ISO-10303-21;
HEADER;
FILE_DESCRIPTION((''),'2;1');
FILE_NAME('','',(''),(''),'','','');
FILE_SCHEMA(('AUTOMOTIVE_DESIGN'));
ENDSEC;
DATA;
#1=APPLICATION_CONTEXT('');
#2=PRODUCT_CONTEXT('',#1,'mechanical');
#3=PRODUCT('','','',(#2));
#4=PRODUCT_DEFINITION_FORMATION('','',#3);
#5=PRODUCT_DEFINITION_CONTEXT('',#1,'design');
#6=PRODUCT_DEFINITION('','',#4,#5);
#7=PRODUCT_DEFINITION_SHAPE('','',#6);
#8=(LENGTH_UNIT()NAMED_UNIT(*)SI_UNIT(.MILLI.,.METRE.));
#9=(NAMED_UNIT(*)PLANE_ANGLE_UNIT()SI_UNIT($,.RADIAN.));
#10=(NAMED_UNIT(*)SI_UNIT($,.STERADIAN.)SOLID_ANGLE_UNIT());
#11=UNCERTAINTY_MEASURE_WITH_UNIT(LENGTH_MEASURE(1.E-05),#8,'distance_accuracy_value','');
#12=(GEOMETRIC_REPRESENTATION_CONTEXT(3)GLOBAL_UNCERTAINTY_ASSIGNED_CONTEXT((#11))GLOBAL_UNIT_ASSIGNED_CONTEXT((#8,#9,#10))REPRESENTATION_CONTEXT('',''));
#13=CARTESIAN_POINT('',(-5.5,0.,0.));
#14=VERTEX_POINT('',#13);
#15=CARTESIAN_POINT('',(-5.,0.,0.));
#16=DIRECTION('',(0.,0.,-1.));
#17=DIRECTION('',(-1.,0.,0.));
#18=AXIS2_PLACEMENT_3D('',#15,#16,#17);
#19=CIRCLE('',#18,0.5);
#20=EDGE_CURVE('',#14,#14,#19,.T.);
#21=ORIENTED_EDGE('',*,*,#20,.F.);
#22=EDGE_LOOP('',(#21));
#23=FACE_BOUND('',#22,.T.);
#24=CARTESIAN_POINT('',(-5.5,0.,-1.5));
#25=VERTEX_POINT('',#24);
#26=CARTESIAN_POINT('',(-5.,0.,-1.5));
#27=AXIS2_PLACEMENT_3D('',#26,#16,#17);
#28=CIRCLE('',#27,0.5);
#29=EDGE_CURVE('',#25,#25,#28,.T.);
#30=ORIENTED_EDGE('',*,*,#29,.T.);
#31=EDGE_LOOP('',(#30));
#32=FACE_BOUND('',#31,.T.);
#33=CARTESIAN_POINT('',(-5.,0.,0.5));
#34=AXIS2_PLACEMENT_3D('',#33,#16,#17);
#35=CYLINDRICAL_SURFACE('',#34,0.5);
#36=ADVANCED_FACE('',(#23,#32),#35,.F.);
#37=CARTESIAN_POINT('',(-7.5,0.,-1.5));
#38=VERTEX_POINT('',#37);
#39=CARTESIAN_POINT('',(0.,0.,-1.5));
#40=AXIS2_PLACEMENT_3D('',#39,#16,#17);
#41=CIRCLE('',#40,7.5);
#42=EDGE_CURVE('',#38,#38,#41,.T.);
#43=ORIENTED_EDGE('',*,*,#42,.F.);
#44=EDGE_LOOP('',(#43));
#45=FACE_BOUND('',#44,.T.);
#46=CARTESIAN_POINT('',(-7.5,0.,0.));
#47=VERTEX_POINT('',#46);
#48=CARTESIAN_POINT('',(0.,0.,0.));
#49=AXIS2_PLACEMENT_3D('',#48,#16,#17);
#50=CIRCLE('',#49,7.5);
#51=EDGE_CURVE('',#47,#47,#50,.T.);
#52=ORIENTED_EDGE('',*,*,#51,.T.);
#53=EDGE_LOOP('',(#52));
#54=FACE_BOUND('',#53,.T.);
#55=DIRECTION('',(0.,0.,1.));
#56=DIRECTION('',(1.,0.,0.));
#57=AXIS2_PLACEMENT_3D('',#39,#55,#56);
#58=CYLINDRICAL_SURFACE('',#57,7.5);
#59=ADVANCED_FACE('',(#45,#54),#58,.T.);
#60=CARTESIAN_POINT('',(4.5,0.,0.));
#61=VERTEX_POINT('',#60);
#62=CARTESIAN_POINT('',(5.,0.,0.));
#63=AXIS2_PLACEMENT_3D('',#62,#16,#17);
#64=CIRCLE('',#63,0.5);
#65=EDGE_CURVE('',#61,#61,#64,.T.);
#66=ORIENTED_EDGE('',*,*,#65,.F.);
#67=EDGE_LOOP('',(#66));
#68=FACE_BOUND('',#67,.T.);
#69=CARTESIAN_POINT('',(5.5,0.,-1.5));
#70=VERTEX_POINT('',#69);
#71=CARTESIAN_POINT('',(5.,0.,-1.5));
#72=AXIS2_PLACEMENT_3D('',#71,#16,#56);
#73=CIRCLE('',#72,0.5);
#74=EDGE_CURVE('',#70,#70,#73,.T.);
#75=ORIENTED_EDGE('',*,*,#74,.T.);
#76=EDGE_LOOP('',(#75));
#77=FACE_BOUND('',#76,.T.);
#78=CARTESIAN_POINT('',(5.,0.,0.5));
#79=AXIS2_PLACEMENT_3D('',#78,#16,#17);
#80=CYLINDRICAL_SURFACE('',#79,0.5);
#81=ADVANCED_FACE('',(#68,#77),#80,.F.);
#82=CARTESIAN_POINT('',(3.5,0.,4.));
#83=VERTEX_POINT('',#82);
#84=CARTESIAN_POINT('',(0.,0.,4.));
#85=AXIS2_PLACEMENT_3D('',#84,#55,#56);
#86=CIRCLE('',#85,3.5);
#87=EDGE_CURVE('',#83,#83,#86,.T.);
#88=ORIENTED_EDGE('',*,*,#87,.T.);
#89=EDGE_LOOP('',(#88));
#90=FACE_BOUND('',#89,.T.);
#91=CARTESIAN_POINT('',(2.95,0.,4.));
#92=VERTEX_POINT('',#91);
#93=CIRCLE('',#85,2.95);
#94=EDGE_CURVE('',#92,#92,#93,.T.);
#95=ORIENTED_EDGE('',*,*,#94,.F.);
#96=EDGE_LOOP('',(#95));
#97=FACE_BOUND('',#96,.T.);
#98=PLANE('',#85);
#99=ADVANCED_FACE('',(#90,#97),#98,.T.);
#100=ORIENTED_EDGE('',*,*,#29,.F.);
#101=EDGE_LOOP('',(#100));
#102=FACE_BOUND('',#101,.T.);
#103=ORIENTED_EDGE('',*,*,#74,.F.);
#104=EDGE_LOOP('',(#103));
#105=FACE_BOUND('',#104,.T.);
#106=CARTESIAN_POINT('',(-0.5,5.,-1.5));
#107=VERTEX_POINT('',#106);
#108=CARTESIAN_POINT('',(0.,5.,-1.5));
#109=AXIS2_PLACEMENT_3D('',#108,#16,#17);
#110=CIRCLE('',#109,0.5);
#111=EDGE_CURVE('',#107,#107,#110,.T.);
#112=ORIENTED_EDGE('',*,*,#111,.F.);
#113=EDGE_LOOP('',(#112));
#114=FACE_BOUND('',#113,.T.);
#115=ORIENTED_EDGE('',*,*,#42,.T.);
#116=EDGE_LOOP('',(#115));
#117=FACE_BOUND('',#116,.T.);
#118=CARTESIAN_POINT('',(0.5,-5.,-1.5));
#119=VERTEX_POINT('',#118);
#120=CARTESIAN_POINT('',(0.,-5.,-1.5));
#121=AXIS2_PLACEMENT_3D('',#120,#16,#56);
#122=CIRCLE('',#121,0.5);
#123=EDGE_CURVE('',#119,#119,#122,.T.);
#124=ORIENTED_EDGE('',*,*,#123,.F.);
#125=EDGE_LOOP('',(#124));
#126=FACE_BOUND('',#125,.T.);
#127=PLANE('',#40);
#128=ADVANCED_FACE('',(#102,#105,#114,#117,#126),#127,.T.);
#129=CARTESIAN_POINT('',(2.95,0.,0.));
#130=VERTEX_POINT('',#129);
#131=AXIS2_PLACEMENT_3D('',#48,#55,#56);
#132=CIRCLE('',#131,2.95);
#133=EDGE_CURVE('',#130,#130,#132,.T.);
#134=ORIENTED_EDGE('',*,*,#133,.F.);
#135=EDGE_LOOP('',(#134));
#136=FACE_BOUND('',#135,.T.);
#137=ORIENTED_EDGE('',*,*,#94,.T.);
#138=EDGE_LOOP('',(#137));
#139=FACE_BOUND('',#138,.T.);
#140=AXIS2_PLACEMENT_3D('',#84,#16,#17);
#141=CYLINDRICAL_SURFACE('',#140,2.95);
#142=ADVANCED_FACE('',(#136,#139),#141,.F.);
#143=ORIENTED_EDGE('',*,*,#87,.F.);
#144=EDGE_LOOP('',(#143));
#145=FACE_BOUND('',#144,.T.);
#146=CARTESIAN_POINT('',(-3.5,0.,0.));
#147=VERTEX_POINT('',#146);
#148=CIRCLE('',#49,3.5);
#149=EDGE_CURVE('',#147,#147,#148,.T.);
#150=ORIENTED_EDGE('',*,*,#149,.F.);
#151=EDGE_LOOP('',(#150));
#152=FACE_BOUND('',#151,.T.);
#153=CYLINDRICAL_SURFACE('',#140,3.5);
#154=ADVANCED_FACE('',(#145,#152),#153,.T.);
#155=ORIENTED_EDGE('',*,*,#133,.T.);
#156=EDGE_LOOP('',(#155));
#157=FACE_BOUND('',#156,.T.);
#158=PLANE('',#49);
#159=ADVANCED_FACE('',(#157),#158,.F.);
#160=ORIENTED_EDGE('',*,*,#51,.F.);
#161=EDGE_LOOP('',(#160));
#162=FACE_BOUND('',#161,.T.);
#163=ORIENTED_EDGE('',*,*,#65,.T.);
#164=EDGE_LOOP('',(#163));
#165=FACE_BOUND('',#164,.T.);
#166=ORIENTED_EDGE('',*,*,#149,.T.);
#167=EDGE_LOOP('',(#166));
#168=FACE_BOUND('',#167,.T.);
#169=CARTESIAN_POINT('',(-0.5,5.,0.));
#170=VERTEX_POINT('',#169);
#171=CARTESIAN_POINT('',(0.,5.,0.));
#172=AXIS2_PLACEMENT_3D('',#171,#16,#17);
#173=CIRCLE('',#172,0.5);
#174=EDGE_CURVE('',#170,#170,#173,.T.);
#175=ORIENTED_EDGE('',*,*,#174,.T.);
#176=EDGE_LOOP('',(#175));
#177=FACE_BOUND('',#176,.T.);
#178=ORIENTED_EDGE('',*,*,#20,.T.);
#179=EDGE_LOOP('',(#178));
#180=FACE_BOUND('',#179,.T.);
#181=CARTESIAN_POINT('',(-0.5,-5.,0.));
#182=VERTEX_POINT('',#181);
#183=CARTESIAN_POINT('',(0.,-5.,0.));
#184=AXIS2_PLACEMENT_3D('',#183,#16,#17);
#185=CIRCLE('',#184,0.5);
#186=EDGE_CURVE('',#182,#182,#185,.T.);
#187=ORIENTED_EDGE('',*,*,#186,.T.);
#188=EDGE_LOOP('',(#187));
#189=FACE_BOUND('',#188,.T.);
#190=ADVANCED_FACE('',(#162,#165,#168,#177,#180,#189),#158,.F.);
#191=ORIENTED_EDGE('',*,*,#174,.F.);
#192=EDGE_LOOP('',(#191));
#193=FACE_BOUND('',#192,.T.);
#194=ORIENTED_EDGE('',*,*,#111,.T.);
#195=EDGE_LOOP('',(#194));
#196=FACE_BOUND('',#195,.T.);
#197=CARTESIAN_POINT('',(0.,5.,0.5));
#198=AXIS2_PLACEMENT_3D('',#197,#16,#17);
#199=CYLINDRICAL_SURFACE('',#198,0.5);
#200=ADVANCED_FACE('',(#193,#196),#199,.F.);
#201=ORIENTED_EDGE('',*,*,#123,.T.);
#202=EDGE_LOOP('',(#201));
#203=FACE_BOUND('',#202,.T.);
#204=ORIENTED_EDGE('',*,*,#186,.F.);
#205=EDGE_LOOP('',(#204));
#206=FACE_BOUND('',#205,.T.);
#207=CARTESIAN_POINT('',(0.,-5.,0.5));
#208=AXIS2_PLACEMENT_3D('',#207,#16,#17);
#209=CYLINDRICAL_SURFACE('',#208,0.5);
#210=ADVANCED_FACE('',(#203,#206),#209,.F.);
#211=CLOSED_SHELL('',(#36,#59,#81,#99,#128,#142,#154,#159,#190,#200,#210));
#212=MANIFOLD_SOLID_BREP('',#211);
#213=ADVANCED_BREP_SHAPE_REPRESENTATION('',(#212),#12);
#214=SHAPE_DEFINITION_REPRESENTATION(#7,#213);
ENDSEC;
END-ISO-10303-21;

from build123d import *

# Parameters (mm, degrees)
ESQUISSE1_R             = 3.5
ESQUISSE1_R_2           = 2.95
BOSS_EXTRU_1_DEPTH      = 4
ESQUISSE2_R             = 7.5
BOSS_EXTRU_2_DEPTH      = 1.5
ESQUISSE3_R             = 0.5
ENL_V_MAT_EXTRU_3_DEPTH = 2


with BuildPart() as part:
    # Esquisse1 → Boss.-Extru.1 (new body)
    with BuildSketch(Plane.XY):
        Circle(ESQUISSE1_R)
        Circle(ESQUISSE1_R_2, mode=Mode.SUBTRACT)
    extrude(amount=BOSS_EXTRU_1_DEPTH)

    # Esquisse2 → Boss.-Extru.2 (add)
    with BuildSketch(Plane(origin=(0, 0, 0), x_dir=(-1, 0, 0), z_dir=(0, 0, -1))):
        Circle(ESQUISSE2_R)
    extrude(amount=BOSS_EXTRU_2_DEPTH)

    # Esquisse3 → Enlèv. mat.-Extru.3 (cut)
    with BuildSketch(Plane(origin=(0, 0, -1.5), x_dir=(-1, 0, 0), z_dir=(0, 0, -1))):
        with Locations((0, 5)):
            Circle(ESQUISSE3_R)
        with Locations((5, 0)):
            Circle(ESQUISSE3_R)
        with Locations((0, -5)):
            Circle(ESQUISSE3_R)
        with Locations((-5, 0)):
            Circle(ESQUISSE3_R)
    extrude(amount=-ENL_V_MAT_EXTRU_3_DEPTH, mode=Mode.SUBTRACT)


solid = part.part
